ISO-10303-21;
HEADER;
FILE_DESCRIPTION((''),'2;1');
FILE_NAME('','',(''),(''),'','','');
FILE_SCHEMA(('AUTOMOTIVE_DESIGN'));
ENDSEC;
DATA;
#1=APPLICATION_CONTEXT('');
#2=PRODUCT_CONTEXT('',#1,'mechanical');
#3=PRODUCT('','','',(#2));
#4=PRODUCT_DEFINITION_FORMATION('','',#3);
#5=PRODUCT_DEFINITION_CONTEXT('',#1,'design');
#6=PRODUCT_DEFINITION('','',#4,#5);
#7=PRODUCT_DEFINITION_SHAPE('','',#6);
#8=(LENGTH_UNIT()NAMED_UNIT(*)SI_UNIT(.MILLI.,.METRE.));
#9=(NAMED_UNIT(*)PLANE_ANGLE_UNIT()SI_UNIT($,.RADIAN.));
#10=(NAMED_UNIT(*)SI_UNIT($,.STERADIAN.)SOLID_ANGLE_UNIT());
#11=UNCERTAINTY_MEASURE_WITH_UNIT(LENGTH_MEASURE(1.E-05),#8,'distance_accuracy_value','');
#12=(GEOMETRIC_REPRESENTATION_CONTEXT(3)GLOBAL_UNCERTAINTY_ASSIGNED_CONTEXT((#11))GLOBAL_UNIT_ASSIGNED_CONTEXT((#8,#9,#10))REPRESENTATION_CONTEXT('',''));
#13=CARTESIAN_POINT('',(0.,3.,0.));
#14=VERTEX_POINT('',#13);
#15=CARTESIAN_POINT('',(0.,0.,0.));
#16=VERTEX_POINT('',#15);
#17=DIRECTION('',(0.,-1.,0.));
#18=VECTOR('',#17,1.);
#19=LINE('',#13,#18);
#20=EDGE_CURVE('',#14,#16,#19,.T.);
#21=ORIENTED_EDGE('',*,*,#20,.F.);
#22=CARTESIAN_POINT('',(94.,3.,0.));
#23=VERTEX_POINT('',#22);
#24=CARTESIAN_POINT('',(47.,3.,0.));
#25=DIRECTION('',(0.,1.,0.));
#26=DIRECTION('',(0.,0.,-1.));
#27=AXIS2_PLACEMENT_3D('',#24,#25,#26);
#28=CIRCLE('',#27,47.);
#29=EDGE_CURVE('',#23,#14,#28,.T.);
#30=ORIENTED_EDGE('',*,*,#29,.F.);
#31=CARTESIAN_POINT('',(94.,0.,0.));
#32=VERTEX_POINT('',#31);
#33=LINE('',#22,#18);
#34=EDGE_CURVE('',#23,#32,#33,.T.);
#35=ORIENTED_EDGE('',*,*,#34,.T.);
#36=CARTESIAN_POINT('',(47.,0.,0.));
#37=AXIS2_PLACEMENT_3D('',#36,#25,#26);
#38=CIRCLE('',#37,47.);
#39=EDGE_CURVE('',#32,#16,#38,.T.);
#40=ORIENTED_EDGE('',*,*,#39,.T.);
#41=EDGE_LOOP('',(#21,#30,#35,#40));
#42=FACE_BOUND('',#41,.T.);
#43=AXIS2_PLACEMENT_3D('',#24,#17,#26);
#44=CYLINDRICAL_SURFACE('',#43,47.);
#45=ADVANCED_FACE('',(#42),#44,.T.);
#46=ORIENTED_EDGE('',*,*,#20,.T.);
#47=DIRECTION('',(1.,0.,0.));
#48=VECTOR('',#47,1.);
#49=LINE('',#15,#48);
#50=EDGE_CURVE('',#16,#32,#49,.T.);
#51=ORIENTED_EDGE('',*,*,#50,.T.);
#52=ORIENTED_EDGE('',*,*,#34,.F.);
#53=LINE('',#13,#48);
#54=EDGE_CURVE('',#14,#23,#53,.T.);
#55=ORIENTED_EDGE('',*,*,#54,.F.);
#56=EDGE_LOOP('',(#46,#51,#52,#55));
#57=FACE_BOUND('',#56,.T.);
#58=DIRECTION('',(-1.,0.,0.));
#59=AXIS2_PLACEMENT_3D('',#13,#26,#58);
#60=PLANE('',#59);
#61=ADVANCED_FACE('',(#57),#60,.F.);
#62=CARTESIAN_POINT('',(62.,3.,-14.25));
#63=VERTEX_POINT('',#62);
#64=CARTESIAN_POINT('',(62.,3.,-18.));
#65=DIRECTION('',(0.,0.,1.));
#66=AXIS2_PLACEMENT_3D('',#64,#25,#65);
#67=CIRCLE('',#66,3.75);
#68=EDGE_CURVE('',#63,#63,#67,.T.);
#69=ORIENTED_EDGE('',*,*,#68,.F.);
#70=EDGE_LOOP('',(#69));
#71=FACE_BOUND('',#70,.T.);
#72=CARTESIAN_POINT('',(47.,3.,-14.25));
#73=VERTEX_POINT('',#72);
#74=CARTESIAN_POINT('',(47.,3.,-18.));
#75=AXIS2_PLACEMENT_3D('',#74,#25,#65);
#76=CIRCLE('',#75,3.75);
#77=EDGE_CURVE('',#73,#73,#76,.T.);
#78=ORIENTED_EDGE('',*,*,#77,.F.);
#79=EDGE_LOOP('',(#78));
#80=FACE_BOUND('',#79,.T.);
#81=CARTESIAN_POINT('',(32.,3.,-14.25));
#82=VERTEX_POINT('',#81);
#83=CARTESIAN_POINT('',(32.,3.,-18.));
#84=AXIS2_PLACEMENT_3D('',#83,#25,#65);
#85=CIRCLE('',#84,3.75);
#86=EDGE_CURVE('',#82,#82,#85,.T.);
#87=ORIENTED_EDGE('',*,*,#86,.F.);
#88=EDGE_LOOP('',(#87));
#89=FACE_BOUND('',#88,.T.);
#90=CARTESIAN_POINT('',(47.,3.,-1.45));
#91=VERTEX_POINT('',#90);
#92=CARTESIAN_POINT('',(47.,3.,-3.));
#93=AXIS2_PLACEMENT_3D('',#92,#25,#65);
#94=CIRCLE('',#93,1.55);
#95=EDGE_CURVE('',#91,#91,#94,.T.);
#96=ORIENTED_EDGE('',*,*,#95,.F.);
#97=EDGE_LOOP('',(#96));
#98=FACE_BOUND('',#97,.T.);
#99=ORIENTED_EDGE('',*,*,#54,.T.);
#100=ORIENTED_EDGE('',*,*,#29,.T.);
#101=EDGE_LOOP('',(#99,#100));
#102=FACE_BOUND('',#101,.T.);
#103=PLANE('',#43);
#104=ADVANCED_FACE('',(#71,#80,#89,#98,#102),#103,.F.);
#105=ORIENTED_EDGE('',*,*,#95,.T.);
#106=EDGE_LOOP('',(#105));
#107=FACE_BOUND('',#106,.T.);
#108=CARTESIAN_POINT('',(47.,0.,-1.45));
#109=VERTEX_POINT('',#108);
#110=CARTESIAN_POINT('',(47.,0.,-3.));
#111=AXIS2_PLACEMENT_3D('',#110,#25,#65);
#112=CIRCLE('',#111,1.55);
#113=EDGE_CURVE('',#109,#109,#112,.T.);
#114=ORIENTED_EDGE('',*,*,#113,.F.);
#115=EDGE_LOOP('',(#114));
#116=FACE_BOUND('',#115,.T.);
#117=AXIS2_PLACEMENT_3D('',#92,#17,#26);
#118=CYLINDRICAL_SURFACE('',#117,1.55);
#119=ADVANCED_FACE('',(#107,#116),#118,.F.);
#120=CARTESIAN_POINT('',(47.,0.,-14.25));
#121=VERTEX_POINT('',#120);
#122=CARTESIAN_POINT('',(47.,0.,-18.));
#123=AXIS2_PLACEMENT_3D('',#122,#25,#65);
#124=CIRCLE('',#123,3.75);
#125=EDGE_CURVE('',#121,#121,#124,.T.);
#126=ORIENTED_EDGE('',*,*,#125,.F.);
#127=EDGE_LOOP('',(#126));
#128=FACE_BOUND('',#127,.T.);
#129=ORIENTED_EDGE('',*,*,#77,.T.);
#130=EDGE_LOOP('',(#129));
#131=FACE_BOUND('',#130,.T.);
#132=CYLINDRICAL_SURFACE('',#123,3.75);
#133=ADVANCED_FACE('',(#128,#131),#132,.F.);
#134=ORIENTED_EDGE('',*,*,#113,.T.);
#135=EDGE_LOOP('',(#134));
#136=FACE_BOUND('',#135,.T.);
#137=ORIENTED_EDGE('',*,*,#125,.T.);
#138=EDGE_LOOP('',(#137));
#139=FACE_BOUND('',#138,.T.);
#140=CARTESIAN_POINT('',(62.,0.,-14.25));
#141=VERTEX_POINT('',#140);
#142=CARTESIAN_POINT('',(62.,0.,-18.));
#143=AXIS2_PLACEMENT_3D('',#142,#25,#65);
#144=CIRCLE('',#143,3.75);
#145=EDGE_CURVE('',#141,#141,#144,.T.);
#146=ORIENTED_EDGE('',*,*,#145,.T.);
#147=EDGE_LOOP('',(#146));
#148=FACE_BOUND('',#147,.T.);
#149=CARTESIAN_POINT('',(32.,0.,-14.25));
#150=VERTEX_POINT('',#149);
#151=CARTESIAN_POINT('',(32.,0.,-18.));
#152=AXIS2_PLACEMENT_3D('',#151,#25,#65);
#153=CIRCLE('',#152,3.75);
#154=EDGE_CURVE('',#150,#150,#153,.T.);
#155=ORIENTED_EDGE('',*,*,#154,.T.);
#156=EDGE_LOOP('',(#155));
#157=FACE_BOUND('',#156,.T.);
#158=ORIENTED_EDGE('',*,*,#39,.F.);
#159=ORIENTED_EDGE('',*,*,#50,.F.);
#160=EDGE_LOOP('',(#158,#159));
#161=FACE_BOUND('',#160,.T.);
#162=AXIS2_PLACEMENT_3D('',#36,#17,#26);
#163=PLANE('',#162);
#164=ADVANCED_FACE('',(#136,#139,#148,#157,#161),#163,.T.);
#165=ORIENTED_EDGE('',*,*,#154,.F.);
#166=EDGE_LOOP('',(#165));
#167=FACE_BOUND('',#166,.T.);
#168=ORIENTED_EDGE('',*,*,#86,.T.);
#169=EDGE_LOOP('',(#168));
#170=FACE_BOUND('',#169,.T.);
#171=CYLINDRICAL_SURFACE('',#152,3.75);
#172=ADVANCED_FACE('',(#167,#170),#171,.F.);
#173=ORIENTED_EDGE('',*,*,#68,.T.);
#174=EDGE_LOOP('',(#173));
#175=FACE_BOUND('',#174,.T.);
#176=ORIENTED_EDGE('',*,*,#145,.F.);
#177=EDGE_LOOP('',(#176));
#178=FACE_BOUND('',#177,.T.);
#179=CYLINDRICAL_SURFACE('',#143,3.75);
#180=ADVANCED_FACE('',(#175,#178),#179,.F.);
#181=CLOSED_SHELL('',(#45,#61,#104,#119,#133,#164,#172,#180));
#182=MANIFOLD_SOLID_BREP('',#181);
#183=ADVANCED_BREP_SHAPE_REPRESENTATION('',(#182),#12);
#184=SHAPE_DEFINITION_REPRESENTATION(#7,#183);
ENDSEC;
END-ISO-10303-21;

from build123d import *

# Parameters (mm, degrees)
SKETCH1_R           = 1.55
BOSS_EXTRUDE1_DEPTH = 3
SKETCH2_R           = 3.75
CUT_EXTRUDE1_DEPTH  = 3


with BuildPart() as part:
    # Sketch1 → Boss-Extrude1 (new body)
    with BuildSketch(Plane(origin=(0, 0, 0), x_dir=(1, 0, 0), z_dir=(0, 1, 0))):
        with BuildLine():
            Line((0, 0), (94, 0))
            ThreePointArc((94, 0), (47, 47), (0, 0))
        make_face()
        with Locations((47, 3)):
            Circle(SKETCH1_R, mode=Mode.SUBTRACT)
    extrude(amount=BOSS_EXTRUDE1_DEPTH)

    # Sketch2 → Cut-Extrude1 (cut)
    with BuildSketch(Plane(origin=(0, 3, 0), x_dir=(1, 0, 0), z_dir=(0, 1, 0))):
        with Locations((47, 18)):
            Circle(SKETCH2_R)
        with Locations((32, 18)):
            Circle(SKETCH2_R)
        with Locations((62, 18)):
            Circle(SKETCH2_R)
    extrude(amount=-CUT_EXTRUDE1_DEPTH, mode=Mode.SUBTRACT)


solid = part.part
